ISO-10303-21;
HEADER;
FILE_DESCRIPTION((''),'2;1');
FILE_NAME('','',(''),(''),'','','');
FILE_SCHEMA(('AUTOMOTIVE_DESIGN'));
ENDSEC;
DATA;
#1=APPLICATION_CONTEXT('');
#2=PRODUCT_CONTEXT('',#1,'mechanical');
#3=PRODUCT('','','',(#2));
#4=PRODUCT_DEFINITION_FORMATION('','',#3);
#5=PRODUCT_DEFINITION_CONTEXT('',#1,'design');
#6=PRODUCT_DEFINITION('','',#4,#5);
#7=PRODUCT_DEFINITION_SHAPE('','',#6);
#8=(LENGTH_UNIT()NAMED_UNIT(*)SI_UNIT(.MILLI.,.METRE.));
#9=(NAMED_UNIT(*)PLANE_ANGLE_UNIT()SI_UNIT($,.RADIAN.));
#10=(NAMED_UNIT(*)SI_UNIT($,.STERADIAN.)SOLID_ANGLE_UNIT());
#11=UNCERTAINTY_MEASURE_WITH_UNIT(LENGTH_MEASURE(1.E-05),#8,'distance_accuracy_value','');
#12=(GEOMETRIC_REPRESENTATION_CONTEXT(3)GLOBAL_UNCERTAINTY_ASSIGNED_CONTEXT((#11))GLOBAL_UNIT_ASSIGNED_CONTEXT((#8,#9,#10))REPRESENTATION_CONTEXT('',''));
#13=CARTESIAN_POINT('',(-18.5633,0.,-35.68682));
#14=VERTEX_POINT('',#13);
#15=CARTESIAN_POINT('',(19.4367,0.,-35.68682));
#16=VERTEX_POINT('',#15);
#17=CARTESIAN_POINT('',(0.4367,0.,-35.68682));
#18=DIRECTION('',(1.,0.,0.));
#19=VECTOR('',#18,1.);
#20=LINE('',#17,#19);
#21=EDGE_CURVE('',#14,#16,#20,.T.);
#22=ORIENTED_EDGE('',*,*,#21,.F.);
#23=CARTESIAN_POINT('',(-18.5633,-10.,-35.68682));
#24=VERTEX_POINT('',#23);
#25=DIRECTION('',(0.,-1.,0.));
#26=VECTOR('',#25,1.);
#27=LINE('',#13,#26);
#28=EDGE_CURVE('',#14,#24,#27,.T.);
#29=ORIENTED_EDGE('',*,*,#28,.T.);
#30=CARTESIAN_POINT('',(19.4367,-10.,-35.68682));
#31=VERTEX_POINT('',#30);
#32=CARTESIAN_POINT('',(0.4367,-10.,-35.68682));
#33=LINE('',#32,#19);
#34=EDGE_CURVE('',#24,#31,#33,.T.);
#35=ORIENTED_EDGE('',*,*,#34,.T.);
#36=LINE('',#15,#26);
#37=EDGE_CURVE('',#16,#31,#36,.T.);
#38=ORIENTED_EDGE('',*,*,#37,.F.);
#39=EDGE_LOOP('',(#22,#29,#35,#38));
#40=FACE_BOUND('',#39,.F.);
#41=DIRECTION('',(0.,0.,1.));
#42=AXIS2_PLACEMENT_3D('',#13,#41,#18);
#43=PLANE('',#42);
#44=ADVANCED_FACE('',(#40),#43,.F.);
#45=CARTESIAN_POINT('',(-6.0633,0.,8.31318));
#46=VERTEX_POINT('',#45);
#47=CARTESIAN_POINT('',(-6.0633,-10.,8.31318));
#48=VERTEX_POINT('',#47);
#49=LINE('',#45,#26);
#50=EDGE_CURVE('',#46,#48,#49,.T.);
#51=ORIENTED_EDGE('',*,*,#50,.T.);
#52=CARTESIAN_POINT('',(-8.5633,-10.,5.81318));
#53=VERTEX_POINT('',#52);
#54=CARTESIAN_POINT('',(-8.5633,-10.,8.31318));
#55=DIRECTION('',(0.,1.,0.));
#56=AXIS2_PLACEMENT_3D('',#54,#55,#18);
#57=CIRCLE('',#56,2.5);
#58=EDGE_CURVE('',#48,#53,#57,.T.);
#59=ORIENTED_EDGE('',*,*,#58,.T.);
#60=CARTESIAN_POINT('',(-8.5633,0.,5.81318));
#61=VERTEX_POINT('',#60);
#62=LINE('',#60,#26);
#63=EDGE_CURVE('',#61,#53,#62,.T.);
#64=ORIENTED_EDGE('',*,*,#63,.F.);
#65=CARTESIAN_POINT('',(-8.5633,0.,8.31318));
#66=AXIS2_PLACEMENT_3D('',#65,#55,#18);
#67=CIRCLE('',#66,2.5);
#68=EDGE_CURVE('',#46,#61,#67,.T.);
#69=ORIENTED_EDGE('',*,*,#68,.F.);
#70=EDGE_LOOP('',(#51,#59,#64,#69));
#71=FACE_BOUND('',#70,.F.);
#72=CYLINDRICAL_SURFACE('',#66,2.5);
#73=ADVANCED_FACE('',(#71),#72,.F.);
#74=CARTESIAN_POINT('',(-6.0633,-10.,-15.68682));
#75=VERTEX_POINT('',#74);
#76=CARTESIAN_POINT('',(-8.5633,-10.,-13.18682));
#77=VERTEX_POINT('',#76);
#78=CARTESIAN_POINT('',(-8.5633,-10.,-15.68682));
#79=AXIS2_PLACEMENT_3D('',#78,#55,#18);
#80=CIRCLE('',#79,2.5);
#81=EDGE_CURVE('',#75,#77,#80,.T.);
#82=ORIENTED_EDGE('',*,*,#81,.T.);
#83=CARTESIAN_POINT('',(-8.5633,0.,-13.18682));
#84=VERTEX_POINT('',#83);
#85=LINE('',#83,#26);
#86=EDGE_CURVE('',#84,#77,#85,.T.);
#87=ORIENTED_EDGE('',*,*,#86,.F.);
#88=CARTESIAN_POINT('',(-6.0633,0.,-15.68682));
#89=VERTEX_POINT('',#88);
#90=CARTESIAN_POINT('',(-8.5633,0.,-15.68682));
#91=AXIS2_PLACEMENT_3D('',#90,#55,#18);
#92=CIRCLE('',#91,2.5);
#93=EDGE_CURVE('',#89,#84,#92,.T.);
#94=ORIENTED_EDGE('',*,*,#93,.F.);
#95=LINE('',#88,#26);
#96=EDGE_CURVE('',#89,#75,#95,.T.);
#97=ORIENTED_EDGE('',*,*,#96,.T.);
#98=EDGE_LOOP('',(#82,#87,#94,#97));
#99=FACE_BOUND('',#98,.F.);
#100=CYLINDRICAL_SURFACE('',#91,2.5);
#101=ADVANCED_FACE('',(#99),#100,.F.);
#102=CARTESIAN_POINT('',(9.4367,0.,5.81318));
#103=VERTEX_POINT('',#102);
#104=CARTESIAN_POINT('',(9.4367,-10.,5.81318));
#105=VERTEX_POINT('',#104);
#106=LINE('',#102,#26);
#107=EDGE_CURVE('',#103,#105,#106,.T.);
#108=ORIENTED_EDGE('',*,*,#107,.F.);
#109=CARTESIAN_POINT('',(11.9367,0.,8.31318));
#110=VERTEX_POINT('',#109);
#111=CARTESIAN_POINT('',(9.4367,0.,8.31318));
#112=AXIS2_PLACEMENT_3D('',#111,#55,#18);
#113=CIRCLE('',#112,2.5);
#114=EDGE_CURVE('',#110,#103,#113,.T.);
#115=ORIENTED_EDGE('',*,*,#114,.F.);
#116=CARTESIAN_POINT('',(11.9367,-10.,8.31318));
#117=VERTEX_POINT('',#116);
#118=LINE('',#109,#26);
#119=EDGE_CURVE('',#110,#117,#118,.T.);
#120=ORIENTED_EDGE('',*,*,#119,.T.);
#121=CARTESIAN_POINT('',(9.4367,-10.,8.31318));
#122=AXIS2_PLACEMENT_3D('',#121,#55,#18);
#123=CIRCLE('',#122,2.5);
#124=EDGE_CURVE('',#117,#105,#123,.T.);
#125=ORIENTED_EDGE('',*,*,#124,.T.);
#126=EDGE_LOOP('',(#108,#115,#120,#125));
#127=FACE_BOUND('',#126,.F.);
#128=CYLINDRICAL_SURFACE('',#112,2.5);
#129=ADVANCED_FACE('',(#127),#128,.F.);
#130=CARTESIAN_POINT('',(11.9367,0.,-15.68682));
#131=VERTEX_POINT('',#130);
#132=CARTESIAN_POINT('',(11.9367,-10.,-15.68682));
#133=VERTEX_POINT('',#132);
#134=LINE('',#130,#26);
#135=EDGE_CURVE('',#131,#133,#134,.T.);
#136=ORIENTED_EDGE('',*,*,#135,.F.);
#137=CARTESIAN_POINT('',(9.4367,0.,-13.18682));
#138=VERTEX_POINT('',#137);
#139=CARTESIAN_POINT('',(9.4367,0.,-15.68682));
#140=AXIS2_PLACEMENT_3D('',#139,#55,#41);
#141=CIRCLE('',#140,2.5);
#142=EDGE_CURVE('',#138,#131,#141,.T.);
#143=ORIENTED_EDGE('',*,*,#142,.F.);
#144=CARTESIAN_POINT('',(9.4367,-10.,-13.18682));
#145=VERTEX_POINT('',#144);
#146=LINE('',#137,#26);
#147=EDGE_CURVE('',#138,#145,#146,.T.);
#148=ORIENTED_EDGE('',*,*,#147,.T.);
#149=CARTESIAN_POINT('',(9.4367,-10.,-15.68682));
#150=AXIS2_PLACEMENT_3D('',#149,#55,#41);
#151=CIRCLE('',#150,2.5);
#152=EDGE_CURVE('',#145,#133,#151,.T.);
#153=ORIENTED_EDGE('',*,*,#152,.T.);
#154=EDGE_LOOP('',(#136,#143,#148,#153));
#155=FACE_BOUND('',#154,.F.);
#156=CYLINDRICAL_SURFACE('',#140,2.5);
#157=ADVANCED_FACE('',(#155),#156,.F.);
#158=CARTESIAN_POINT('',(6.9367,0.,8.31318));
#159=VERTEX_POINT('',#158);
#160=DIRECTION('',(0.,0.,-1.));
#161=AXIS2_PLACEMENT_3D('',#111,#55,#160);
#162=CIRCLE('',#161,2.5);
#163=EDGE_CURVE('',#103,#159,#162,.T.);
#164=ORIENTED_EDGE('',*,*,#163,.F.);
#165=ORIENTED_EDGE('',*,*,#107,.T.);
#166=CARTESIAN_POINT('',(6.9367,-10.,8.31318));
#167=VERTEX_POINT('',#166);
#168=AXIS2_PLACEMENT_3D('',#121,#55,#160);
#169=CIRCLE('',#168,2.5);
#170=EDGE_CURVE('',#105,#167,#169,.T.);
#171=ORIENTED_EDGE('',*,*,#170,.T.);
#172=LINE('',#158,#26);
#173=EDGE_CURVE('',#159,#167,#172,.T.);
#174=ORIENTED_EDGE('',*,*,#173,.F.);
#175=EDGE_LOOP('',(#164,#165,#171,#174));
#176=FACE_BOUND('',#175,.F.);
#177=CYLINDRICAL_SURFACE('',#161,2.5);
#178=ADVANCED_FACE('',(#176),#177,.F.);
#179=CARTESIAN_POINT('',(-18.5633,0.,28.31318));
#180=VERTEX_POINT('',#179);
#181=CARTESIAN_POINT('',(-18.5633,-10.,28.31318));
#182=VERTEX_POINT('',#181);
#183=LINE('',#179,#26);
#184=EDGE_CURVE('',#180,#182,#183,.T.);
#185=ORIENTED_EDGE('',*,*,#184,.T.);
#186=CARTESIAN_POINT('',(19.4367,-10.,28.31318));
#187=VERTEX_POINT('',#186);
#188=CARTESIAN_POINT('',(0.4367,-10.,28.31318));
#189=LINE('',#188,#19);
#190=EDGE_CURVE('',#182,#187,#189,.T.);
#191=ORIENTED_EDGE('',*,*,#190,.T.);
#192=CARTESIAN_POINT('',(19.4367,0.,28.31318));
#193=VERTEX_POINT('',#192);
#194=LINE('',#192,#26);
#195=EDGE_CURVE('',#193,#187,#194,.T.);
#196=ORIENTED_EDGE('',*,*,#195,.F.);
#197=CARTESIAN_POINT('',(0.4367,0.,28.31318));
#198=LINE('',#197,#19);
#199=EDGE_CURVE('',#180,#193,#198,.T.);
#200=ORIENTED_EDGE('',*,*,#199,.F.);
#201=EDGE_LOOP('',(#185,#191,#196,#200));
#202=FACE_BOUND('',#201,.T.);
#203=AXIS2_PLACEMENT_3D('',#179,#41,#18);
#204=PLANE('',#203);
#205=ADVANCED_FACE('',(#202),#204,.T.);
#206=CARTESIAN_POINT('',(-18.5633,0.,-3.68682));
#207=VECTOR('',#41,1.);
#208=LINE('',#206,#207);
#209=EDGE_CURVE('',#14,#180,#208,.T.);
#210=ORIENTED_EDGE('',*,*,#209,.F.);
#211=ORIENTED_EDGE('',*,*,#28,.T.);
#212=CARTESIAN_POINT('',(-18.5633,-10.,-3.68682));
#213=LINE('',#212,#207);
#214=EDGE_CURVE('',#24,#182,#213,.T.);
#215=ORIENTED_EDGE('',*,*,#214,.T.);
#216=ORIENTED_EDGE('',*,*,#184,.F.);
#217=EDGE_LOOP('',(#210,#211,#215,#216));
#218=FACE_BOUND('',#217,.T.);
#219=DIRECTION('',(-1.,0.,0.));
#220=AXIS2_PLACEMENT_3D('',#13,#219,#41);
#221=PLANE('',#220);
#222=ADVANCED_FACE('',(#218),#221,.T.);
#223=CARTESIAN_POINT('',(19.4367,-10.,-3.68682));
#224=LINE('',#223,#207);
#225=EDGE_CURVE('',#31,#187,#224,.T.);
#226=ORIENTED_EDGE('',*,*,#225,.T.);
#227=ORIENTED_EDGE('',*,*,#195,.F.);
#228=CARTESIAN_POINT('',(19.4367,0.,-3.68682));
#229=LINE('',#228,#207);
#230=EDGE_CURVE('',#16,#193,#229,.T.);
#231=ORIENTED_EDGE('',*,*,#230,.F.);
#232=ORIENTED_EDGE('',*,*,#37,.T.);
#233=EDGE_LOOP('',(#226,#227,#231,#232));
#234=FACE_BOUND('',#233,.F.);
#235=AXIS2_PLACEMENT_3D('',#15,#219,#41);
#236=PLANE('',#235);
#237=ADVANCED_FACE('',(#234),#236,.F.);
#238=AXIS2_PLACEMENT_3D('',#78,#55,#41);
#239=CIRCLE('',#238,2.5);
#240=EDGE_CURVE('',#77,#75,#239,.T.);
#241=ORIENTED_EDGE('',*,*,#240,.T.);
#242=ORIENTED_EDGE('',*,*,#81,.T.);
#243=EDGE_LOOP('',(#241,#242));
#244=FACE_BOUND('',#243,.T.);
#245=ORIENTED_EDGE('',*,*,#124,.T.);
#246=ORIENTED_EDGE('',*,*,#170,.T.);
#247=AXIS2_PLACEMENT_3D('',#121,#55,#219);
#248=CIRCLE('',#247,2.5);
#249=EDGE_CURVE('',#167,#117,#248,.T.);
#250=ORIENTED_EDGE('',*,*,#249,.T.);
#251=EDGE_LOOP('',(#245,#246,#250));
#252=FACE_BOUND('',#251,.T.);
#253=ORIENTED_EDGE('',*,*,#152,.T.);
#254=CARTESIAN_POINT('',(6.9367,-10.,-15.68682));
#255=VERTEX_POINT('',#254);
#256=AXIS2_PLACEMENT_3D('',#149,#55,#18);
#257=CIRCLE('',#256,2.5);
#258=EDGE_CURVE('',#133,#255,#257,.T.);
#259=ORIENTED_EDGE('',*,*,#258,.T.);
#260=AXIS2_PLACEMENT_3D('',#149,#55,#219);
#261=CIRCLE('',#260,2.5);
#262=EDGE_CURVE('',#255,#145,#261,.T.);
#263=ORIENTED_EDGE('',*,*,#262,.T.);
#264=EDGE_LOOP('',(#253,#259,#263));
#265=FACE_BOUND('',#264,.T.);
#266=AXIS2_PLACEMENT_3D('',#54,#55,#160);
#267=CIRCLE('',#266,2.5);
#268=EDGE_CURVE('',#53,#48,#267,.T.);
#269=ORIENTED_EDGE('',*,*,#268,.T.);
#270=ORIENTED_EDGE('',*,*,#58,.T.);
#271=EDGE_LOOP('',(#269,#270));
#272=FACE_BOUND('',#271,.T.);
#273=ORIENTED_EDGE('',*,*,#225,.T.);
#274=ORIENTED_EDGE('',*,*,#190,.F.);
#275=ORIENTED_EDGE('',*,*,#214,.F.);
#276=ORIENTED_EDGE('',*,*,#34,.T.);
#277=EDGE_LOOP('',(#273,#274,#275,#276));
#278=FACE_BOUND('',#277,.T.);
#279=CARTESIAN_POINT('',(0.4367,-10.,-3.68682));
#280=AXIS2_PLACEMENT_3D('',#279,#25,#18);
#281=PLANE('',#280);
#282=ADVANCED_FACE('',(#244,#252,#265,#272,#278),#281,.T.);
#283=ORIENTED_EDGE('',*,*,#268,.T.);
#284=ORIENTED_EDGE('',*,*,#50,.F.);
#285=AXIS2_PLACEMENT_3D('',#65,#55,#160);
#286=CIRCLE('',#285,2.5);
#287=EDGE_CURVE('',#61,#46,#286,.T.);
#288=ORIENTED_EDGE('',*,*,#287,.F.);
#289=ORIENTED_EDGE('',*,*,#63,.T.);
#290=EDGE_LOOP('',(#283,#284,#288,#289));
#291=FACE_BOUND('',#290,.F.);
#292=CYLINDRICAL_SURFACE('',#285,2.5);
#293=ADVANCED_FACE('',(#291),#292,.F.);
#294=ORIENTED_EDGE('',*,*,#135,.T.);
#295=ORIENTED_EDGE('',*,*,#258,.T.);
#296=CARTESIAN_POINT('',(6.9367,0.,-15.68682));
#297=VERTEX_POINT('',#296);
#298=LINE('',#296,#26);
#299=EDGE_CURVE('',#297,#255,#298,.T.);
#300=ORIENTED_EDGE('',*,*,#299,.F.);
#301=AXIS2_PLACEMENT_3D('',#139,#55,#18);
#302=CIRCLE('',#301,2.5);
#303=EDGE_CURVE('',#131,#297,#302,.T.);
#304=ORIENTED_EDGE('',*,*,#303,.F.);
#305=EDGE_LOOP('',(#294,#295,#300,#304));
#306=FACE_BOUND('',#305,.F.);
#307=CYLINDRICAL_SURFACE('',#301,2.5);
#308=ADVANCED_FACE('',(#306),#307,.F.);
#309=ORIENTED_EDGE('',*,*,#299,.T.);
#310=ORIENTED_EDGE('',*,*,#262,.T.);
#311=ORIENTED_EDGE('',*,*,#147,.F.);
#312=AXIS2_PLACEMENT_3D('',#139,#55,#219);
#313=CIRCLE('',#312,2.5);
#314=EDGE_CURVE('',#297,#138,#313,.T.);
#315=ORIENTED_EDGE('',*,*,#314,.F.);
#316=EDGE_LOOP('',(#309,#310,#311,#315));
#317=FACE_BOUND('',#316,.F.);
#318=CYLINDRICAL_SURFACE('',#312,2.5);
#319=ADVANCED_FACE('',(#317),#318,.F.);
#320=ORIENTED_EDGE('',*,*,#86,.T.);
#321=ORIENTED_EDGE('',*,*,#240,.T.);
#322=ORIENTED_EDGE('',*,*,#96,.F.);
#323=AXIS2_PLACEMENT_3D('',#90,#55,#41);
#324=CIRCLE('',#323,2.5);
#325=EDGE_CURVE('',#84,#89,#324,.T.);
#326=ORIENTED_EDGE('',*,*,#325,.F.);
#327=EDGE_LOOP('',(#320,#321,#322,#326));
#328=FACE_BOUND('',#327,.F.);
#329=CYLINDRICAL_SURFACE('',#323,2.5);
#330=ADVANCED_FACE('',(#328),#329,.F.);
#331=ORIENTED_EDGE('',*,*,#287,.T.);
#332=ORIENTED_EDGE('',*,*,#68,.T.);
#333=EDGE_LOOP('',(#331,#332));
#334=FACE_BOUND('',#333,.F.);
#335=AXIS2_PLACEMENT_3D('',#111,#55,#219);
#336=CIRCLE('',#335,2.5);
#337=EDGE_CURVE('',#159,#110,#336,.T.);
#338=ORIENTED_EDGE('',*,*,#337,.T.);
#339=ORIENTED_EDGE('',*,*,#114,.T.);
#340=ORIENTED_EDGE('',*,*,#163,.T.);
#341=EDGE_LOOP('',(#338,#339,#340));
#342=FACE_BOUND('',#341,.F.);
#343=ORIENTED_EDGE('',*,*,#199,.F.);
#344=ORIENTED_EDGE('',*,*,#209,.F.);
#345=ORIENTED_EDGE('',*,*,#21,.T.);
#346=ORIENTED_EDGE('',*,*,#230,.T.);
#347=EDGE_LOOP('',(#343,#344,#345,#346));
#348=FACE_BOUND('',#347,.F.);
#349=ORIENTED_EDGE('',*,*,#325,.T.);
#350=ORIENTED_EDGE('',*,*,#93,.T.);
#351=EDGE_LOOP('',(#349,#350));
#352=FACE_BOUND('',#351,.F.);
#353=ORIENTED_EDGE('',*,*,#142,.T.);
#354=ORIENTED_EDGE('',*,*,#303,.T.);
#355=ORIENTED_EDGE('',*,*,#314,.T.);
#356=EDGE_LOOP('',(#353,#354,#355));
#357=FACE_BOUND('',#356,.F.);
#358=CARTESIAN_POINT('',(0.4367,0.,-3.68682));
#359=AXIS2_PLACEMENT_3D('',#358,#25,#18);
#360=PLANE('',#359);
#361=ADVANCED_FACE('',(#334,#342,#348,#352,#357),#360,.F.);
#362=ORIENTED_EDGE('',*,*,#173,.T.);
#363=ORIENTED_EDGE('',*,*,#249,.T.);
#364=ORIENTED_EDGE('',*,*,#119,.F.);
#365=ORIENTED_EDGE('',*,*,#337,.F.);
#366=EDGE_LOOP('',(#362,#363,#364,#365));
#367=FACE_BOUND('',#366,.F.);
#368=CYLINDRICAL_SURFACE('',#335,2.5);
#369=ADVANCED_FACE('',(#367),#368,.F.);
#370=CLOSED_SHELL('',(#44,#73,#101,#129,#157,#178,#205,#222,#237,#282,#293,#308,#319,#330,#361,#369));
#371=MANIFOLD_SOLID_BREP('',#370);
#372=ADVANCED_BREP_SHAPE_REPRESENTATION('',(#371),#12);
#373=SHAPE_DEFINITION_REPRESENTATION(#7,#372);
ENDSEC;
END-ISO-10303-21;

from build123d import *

# Parameters (mm, degrees)
F0_W     = 38
F0_H     = 64
F1_DEPTH = 10


with BuildPart() as f1:
    # F0 (on Front) → F1 (new body)
    with BuildSketch(Plane.XZ):
        with Locations((0.4366999457, -3.6868201261)):
            Rectangle(F0_W, F0_H)
        with BuildLine():
            ThreePointArc((-8.5633000543, 5.8131798739), (-10.3310670073, 10.0809468269), (-6.0633000543, 8.3131798739))
            Line((-6.0633000543, 8.3131798739), (6.9366999457, 8.3131798739))
            ThreePointArc((6.9366999457, 8.3131798739), (9.4366999457, 10.8131798739), (11.9366999457, 8.3131798739))
            ThreePointArc((11.9366999457, 8.3131798739), (11.2044668986, 6.5454129209), (9.4366999457, 5.8131798739))
            Line((9.4366999457, 5.8131798739), (9.4366999457, -13.1868201261))
            ThreePointArc((9.4366999457, -13.1868201261), (11.2044668986, -13.9190531731), (11.9366999457, -15.6868201261))
            ThreePointArc((11.9366999457, -15.6868201261), (9.4366999457, -18.1868201261), (6.9366999457, -15.6868201261))
            Line((6.9366999457, -15.6868201261), (-6.0633000543, -15.6868201261))
            ThreePointArc((-6.0633000543, -15.6868201261), (-10.3310670073, -17.4545870791), (-8.5633000543, -13.1868201261))
            Line((-8.5633000543, -13.1868201261), (-8.5633000543, 5.8131798739))
        make_face(mode=Mode.SUBTRACT)
        with BuildLine():
            Line((6.9366999457, 8.3131798739), (-6.0633000543, 8.3131798739))
            ThreePointArc((-6.0633000543, 8.3131798739), (-6.7955331014, 6.5454129209), (-8.5633000543, 5.8131798739))
            Line((-8.5633000543, 5.8131798739), (-8.5633000543, -13.1868201261))
            ThreePointArc((-8.5633000543, -13.1868201261), (-6.7955331014, -13.9190531731), (-6.0633000543, -15.6868201261))
            Line((-6.0633000543, -15.6868201261), (6.9366999457, -15.6868201261))
            ThreePointArc((6.9366999457, -15.6868201261), (7.6689329927, -13.9190531731), (9.4366999457, -13.1868201261))
            Line((9.4366999457, -13.1868201261), (9.4366999457, 5.8131798739))
            ThreePointArc((9.4366999457, 5.8131798739), (7.6689329927, 6.5454129209), (6.9366999457, 8.3131798739))
        make_face()
    extrude(amount=F1_DEPTH)


solid = f1.part
